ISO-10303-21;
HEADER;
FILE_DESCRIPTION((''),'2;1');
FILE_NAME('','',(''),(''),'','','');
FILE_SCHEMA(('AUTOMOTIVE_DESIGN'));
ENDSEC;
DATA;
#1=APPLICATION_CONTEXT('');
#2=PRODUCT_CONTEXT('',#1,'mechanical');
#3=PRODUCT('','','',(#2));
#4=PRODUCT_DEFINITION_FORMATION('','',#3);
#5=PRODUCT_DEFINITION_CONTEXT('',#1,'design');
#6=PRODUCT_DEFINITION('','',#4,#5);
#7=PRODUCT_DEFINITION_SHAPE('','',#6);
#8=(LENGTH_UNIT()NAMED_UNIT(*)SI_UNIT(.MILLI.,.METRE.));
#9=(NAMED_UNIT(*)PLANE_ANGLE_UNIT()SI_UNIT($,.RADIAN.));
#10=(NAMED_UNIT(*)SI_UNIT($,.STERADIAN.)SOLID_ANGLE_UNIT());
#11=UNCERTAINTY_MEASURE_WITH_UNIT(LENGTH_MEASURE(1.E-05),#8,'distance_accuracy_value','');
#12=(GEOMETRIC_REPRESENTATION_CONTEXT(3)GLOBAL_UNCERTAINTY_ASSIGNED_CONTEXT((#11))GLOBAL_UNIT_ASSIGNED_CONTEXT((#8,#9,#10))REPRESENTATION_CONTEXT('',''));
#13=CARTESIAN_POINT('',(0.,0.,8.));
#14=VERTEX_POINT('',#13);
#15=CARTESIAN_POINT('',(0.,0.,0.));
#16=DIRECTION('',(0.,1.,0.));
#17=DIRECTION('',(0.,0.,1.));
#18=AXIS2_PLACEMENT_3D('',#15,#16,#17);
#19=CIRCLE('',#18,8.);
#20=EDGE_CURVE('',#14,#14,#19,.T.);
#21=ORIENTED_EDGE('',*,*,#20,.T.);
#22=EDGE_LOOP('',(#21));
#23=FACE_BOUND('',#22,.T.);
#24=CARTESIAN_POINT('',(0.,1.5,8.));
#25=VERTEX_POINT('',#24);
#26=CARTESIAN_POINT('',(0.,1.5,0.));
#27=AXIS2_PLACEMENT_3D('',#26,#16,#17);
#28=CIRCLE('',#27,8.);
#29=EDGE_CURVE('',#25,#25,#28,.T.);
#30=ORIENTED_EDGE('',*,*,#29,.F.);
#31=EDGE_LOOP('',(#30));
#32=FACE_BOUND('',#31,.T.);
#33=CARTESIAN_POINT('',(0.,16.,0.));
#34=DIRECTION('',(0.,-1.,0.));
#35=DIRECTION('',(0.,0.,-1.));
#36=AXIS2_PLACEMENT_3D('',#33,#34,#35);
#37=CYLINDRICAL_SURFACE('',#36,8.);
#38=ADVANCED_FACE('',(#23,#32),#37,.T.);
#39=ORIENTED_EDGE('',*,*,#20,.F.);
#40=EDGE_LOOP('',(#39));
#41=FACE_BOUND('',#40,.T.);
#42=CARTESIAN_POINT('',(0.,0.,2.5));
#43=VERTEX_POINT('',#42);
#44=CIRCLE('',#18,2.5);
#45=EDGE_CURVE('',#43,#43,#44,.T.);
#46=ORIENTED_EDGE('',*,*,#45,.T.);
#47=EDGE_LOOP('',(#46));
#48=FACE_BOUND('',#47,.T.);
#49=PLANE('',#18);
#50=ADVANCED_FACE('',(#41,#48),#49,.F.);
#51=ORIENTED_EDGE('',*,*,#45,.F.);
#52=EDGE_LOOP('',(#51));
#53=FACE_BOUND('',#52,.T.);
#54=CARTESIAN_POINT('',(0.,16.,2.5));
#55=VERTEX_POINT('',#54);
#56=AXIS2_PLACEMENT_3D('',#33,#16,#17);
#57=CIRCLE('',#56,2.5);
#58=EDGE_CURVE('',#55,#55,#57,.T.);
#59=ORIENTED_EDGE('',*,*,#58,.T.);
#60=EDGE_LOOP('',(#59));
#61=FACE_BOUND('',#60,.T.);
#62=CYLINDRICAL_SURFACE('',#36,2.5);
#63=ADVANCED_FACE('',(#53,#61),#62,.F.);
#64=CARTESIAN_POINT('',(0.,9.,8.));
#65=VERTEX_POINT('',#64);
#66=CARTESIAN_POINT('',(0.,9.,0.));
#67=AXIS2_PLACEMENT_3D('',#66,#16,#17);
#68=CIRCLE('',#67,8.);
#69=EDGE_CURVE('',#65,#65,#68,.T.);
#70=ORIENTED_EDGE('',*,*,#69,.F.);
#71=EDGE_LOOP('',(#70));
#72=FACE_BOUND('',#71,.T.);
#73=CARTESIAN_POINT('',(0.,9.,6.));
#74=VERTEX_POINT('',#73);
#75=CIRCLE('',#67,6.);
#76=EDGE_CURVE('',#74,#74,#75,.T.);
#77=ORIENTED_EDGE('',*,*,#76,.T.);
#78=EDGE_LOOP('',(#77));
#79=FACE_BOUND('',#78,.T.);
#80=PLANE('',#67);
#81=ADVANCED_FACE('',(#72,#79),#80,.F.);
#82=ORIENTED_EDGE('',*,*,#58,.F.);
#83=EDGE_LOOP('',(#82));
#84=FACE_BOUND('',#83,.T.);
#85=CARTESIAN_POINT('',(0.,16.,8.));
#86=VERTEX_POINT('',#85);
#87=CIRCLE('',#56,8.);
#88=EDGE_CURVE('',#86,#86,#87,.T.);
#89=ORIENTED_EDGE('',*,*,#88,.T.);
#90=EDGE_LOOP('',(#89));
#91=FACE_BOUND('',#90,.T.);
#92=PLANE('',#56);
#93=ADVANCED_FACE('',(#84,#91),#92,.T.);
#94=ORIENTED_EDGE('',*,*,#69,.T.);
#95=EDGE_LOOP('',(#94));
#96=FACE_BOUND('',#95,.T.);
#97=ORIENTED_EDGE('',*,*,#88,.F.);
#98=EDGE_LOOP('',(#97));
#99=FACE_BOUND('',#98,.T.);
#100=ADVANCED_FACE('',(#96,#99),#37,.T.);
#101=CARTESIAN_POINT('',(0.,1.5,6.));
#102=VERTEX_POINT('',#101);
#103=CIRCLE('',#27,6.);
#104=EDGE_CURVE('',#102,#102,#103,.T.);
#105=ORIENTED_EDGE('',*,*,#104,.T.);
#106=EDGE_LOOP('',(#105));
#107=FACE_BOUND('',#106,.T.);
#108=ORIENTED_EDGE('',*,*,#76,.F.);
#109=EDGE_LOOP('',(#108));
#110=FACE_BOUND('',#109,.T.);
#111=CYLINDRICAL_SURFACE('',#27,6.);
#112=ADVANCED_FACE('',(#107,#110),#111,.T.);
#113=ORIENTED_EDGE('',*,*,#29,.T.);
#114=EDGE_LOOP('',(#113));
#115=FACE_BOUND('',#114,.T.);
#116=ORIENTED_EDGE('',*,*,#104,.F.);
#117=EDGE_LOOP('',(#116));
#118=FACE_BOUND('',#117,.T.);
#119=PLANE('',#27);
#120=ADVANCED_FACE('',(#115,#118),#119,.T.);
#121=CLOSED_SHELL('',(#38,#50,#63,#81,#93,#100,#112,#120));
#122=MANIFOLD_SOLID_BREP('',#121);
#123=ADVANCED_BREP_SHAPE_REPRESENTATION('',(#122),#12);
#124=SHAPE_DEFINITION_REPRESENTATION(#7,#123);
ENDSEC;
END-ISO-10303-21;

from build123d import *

# Parameters (mm, degrees)
SKETCH1_R           = 8
SKETCH1_R_2         = 2.5
BOSS_EXTRUDE1_DEPTH = 16
CUT_EXTRUDE1_START  = -7
SKETCH2_R           = 8
SKETCH2_R_2         = 6
CUT_EXTRUDE1_DEPTH  = 7.5


with BuildPart() as part:
    # Sketch1 → Boss-Extrude1 (new body)
    with BuildSketch(Plane(origin=(0, 0, 0), x_dir=(1, 0, 0), z_dir=(0, 1, 0))):
        Circle(SKETCH1_R)
        Circle(SKETCH1_R_2, mode=Mode.SUBTRACT)
    extrude(amount=BOSS_EXTRUDE1_DEPTH)

    # Sketch2 → Cut-Extrude1 (cut)
    with BuildSketch(Plane(origin=(0, 16, 0), x_dir=(1, 0, 0), z_dir=(0, 1, 0)).offset(CUT_EXTRUDE1_START)):
        Circle(SKETCH2_R)
        Circle(SKETCH2_R_2, mode=Mode.SUBTRACT)
    extrude(amount=-CUT_EXTRUDE1_DEPTH, mode=Mode.SUBTRACT)


solid = part.part
